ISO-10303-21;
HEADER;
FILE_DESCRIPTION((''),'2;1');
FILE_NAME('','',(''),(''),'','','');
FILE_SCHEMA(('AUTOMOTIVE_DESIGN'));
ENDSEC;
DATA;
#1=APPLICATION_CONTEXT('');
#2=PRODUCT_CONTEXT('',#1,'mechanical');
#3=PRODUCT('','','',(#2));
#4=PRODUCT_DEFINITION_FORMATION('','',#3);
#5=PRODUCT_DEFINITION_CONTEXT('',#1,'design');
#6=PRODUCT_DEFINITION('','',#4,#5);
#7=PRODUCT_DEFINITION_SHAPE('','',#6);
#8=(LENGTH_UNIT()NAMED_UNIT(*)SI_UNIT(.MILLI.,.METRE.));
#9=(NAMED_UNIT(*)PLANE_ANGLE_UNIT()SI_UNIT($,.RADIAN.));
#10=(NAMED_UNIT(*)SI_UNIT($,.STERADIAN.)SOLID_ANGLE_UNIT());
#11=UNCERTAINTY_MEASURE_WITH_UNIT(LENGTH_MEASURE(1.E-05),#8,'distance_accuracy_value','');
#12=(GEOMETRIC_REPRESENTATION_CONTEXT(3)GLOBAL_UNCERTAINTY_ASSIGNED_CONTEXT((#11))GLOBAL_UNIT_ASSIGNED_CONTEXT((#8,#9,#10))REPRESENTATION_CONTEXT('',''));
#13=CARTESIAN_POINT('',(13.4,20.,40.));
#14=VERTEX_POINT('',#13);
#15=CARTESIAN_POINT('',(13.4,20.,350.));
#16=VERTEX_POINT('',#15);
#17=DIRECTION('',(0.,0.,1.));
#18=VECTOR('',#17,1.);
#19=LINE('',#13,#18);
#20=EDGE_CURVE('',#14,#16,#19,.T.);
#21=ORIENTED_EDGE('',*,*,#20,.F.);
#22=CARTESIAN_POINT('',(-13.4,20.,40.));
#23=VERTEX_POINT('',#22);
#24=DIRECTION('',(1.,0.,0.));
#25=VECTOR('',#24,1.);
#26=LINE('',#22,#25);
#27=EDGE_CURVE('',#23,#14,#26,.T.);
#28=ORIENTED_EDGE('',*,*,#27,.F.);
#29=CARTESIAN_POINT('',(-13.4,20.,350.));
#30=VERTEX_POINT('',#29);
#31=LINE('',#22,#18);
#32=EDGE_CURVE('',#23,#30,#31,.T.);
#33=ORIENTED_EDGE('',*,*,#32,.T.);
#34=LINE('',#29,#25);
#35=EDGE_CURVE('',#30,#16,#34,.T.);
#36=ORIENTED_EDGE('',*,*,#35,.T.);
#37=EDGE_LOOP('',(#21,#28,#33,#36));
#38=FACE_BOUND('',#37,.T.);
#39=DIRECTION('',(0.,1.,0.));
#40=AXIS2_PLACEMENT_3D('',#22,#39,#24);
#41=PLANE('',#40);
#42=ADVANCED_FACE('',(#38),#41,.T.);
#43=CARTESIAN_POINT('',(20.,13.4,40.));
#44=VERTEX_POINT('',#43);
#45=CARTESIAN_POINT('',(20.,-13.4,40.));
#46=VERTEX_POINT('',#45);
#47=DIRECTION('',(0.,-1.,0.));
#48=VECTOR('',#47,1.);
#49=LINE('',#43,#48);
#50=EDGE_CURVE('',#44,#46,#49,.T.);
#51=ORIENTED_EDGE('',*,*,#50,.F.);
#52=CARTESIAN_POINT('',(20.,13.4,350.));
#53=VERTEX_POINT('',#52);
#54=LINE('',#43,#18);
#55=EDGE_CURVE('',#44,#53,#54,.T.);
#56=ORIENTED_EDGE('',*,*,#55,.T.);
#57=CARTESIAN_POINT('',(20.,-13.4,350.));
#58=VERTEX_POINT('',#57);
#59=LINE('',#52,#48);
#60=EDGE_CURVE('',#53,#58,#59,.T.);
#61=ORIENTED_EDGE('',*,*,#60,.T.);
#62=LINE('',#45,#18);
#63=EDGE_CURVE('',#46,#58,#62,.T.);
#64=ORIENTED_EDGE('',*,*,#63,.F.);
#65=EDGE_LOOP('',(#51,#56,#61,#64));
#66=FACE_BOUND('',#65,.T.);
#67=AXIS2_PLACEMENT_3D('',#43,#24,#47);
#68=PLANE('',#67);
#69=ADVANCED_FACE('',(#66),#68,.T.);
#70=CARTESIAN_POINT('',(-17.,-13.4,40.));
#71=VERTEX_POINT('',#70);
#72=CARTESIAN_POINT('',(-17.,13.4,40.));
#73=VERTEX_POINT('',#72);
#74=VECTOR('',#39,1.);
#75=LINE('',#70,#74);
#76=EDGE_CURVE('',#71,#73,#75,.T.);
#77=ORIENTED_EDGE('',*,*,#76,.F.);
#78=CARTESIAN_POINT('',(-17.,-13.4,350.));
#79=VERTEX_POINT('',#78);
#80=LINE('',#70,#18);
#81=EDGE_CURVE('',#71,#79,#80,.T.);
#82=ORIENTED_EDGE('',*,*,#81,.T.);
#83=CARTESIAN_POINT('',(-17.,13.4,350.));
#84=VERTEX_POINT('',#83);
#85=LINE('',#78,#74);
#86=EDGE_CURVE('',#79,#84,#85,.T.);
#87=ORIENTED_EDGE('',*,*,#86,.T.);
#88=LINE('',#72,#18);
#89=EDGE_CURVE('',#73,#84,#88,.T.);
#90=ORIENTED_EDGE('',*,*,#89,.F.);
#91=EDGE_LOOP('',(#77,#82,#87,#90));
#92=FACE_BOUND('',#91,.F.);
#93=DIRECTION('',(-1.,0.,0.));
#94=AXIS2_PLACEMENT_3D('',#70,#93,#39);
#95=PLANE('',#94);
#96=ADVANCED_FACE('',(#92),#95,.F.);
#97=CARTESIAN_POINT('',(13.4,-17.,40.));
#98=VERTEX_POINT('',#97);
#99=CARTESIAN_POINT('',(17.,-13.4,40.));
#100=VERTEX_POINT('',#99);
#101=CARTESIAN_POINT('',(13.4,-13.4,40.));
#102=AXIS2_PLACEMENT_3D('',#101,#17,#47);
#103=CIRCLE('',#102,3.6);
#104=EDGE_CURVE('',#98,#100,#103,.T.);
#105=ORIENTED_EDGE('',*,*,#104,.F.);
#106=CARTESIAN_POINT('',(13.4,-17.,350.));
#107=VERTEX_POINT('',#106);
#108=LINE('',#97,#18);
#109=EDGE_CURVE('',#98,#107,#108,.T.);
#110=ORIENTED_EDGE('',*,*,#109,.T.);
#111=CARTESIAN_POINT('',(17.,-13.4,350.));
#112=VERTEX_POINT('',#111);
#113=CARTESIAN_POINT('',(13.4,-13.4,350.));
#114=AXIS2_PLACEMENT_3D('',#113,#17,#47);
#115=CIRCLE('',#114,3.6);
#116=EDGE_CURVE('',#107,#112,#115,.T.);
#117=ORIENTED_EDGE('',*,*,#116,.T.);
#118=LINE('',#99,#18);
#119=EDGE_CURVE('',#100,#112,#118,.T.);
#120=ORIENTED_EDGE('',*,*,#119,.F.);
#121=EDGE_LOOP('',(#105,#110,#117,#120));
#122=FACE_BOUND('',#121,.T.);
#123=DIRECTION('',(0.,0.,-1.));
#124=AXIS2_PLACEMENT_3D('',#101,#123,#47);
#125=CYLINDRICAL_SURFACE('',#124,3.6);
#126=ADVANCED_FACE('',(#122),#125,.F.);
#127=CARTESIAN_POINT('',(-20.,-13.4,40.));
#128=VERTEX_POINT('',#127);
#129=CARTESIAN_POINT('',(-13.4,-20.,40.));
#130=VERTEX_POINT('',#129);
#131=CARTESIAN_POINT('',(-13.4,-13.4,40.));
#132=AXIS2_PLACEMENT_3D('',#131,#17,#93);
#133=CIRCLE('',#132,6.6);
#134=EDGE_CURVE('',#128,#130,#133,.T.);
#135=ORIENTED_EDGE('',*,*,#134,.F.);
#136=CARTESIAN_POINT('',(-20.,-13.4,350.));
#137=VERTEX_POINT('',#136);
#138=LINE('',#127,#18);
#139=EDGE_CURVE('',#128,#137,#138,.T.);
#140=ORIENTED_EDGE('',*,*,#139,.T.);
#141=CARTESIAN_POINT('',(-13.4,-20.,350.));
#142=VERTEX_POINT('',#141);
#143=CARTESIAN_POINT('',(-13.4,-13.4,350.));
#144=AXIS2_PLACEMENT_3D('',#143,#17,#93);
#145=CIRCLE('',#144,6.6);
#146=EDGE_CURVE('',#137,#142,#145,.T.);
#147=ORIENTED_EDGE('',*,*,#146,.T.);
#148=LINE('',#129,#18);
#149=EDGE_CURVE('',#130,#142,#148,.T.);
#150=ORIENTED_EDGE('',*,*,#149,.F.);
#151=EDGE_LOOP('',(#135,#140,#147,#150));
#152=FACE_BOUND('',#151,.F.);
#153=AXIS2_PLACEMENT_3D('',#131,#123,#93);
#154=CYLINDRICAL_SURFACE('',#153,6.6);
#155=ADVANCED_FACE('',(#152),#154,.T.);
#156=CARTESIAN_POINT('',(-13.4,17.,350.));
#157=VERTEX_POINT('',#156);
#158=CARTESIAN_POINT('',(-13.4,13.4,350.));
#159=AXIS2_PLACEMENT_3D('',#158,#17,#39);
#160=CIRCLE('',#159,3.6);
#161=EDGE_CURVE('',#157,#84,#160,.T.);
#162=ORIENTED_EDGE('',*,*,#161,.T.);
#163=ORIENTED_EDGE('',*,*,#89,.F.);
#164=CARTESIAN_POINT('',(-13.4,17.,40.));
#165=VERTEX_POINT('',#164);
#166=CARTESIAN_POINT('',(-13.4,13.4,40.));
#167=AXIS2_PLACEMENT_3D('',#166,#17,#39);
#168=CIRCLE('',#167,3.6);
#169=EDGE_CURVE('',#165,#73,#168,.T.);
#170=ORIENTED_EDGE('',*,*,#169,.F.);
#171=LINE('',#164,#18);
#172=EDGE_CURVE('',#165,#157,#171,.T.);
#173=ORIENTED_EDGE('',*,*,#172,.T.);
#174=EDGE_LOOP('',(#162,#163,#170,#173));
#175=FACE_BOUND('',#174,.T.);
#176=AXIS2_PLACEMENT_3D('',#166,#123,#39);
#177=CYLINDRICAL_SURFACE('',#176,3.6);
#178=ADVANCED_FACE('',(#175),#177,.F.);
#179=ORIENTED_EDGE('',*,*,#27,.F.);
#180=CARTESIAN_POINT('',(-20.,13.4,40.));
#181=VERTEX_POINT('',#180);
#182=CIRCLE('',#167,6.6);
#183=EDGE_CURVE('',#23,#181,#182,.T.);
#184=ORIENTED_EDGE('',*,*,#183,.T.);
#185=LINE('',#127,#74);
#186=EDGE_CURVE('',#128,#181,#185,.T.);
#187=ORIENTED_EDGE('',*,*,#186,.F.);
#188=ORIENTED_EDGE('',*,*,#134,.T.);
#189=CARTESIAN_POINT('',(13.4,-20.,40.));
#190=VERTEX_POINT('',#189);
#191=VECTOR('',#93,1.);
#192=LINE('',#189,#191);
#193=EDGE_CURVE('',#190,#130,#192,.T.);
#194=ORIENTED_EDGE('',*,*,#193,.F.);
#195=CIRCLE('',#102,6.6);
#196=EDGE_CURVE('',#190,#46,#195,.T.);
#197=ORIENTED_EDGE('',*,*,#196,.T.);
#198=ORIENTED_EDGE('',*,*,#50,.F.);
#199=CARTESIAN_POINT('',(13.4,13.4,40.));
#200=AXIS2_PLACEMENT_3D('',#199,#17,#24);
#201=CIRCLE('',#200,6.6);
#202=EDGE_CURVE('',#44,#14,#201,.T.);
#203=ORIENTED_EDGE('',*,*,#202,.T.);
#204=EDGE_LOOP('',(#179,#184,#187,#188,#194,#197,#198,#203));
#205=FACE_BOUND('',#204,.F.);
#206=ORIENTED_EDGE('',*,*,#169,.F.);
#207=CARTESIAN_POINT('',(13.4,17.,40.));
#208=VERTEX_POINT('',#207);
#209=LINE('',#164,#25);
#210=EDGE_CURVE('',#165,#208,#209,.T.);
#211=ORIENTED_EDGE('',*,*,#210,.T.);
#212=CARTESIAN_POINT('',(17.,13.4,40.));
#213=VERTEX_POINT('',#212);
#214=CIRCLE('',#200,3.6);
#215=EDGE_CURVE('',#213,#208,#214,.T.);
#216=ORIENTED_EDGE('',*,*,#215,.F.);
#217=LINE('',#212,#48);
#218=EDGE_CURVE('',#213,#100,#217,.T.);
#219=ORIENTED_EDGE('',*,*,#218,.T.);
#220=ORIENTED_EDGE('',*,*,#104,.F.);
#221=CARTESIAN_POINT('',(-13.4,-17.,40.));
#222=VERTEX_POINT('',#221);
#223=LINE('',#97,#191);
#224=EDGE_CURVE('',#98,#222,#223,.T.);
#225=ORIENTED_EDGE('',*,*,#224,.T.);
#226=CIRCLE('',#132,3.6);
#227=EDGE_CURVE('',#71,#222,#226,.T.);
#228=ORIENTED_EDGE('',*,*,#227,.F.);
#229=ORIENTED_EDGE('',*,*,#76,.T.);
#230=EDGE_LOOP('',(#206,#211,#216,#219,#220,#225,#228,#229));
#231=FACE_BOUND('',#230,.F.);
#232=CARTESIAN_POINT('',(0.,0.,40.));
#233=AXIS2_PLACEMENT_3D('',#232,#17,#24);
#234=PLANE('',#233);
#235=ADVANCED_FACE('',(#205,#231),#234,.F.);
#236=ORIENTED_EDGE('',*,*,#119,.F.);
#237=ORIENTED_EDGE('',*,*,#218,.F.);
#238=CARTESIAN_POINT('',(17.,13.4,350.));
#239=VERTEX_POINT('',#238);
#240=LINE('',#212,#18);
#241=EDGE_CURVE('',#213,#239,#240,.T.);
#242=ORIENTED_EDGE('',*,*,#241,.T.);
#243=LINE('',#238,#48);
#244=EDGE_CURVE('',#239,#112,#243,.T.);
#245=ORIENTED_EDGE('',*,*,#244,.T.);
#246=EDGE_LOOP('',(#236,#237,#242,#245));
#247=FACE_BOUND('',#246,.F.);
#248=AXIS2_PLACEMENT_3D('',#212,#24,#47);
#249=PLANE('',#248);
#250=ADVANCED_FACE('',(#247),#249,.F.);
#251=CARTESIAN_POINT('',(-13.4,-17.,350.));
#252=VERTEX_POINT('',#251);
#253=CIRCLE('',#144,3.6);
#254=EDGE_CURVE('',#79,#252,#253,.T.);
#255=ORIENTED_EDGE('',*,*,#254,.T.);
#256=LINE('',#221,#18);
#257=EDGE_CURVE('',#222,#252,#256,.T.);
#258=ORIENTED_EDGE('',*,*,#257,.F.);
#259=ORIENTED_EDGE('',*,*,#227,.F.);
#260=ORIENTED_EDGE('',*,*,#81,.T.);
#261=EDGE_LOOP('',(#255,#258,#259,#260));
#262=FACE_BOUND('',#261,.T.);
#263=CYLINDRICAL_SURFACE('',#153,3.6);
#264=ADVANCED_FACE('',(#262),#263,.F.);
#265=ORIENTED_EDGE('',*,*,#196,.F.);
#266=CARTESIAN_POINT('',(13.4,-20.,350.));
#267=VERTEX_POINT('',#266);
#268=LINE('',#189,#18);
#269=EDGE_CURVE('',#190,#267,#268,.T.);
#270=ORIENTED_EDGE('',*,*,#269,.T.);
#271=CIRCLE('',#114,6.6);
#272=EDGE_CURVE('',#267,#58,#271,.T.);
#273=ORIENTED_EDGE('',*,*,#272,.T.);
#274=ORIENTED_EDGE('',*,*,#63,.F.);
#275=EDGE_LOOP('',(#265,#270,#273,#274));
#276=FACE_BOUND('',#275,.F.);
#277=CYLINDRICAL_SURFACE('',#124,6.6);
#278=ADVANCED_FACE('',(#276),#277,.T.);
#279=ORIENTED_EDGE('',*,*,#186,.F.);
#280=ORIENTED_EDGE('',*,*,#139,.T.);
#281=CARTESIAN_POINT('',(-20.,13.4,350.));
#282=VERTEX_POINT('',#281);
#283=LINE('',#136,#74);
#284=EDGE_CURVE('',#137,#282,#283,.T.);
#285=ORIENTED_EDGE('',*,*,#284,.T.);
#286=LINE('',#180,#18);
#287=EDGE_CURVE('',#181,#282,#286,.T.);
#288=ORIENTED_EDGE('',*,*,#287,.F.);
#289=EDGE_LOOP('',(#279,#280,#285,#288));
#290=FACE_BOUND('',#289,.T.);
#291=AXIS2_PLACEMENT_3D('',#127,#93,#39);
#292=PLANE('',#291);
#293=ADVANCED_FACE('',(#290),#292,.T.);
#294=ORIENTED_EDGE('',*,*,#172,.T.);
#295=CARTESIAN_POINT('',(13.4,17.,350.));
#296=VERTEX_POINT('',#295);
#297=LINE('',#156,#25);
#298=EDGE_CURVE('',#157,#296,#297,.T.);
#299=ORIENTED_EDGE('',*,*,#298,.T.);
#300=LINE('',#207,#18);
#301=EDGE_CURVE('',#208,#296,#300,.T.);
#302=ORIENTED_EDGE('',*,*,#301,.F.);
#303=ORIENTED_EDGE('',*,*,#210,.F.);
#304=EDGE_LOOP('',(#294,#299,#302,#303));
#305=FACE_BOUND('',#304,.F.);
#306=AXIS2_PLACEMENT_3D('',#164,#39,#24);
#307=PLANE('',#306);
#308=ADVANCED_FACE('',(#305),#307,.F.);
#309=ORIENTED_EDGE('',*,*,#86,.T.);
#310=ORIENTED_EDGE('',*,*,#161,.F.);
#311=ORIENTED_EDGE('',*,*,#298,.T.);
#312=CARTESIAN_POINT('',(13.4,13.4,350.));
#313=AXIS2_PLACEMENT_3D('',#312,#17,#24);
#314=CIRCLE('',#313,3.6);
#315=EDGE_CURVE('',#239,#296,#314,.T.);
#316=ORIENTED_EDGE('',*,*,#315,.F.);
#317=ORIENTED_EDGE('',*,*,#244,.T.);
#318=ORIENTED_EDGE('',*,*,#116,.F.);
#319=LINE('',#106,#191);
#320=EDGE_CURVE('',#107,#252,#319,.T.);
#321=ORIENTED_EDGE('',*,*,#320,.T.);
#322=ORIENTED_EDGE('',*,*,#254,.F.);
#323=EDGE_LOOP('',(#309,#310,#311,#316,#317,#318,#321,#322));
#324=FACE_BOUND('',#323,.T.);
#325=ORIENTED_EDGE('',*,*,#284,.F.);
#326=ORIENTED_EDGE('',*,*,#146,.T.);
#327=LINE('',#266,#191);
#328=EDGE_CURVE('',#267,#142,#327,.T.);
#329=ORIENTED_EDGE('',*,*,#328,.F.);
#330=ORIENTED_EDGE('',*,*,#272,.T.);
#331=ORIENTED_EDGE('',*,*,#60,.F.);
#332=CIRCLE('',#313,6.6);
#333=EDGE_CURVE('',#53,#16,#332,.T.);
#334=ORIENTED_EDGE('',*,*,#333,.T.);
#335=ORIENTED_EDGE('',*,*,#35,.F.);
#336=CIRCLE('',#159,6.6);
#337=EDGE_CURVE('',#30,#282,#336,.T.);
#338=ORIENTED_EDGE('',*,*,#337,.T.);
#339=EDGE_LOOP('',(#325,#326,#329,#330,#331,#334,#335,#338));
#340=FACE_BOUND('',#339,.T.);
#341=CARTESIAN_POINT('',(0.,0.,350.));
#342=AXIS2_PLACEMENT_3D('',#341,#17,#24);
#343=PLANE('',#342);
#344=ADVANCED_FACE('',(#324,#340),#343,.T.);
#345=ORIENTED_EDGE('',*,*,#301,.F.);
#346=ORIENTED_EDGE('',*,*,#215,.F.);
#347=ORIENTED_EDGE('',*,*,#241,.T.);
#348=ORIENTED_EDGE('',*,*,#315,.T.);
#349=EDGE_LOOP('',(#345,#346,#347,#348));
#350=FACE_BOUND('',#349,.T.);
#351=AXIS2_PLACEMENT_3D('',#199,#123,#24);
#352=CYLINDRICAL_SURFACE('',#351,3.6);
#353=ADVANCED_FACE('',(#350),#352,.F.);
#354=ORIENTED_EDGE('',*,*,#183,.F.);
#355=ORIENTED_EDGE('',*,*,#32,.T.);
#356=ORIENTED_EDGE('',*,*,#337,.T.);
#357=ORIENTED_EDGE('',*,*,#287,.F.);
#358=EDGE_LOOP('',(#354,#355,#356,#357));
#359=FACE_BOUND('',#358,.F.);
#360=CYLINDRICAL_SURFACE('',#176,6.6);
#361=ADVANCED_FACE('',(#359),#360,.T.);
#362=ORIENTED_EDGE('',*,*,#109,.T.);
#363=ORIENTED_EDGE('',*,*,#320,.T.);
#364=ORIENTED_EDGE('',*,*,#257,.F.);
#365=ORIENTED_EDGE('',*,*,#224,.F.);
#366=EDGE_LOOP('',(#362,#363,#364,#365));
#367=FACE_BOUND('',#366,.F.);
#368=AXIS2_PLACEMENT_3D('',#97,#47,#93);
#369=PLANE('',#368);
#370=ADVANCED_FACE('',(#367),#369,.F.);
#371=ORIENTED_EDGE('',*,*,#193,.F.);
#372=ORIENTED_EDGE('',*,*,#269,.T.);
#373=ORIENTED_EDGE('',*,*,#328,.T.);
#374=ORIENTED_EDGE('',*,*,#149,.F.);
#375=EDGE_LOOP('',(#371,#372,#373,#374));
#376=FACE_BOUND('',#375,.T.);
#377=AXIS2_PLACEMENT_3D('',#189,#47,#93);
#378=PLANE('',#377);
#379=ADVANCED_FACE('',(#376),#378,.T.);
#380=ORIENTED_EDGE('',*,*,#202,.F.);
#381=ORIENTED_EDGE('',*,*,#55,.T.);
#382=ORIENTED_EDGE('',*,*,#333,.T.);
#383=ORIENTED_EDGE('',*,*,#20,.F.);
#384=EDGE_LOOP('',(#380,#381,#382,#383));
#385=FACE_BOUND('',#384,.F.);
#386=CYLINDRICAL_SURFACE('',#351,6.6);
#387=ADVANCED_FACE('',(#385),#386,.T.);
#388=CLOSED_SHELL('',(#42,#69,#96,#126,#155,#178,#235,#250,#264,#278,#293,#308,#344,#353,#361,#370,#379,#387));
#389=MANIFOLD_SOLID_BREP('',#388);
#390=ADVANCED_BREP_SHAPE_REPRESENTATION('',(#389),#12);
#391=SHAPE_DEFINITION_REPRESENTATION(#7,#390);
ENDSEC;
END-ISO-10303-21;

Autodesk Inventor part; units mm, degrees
ref_plane "Start plane" through (0, 0, 40) normal (0, 0, 1) x (1, 0, 0)
ref_plane "End plane" through (0, 0, 350) normal (0, 0, 1) x (1, 0, 0)
sketch "Sketch" plane through (0, 0, 0) normal (0, 0, 1) x (1, 0, 0)
  line L0 (-20, -13.4) -> (-20, 13.4)
  line L1 (-13.4, 20) -> (13.4, 20)
  line L2 (20, 13.4) -> (20, -13.4)
  line L3 (13.4, -20) -> (-13.4, -20)
  arc A0 (-20, -13.4) -> (-13.4, -20) centre (-13.4, -13.4) ccw
  arc A1 (-13.4, 20) -> (-20, 13.4) centre (-13.4, 13.4) ccw
  arc A2 (20, 13.4) -> (13.4, 20) centre (13.4, 13.4) ccw
  arc A3 (13.4, -20) -> (20, -13.4) centre (13.4, -13.4) ccw
  arc A4 (-13.4, 17) -> (-17, 13.4) centre (-13.4, 13.4) ccw
  line L4 (-13.4, 17) -> (13.4, 17)
  arc A5 (17, 13.4) -> (13.4, 17) centre (13.4, 13.4) ccw
  line L5 (17, 13.4) -> (17, -13.4)
  arc A6 (13.4, -17) -> (17, -13.4) centre (13.4, -13.4) ccw
  line L6 (13.4, -17) -> (-13.4, -17)
  arc A7 (-17, -13.4) -> (-13.4, -17) centre (-13.4, -13.4) ccw
  line L7 (-17, -13.4) -> (-17, 13.4)
  line L8 (0, 22.0873) -> (0, -22.0873) construction
  line L9 (-22.0873, 0) -> (22.0873, 0) construction
  dimension "d7" = 6.6
  dimension "d10" = 40
  dimension "d11" = 40
  dimension "d12" = 3
  dimension "d15" = 20
  dimension "d16" = 20
extrude "Body" add sketch "Sketch" along normal up to surface (310 mm away) from surface at 40
sketch "Sketch3" plane through (0, 0, 0) normal (0, 0, 1) x (1, 0, 0)
  line L0 (0, 0) -> (10, 0)
ref_plane "Work Plane3" through (0, 0, 0) normal (0, -1, 0) x (1, 0, 0)
sketch "Sketch4" plane through (0, 0, 0) normal (0, -1, 0) x (1, 0, 0)
  line L0 (-2, 40) -> (12, 40)
  line L1 (-2, 350) -> (12, 350)
  dimension "d18" = 310
ref_plane "Work Plane4" through (599.2, 515, 350) normal (0, 0, 1) x (1, 0, 0)
split "Split1" plane through (599.2, 515, 350) removes the side toward (0, 0, 1)
ref_plane "Work Plane5" through (-15, -8.4, 40) normal (0, 0, -1) x (-1, 0, 0)
split "Split2" plane through (-15, -8.4, 40) removes the side toward (0, 0, -1)
equation "\"d7\" = G_IR"
equation "\"d10\" = G_H"
equation "\"d11\" = G_W"
equation "\"d12\" = G_T"
equation "\"d15\" = 0.5 * d10"
equation "\"d16\" = 0.5 * d11"
equation "\"d3\" = G_L"
equation "\"G_W\" = 40"
equation "\"G_H\" = 40"
equation "\"G_T\" = 3"
equation "\"G_IR\" = 6.6"
equation "\"G_L\" = d18"
properties part number "DIN EN 10305-5 - 40 x 40 x 3  - 310" material "Steel, Mild"
